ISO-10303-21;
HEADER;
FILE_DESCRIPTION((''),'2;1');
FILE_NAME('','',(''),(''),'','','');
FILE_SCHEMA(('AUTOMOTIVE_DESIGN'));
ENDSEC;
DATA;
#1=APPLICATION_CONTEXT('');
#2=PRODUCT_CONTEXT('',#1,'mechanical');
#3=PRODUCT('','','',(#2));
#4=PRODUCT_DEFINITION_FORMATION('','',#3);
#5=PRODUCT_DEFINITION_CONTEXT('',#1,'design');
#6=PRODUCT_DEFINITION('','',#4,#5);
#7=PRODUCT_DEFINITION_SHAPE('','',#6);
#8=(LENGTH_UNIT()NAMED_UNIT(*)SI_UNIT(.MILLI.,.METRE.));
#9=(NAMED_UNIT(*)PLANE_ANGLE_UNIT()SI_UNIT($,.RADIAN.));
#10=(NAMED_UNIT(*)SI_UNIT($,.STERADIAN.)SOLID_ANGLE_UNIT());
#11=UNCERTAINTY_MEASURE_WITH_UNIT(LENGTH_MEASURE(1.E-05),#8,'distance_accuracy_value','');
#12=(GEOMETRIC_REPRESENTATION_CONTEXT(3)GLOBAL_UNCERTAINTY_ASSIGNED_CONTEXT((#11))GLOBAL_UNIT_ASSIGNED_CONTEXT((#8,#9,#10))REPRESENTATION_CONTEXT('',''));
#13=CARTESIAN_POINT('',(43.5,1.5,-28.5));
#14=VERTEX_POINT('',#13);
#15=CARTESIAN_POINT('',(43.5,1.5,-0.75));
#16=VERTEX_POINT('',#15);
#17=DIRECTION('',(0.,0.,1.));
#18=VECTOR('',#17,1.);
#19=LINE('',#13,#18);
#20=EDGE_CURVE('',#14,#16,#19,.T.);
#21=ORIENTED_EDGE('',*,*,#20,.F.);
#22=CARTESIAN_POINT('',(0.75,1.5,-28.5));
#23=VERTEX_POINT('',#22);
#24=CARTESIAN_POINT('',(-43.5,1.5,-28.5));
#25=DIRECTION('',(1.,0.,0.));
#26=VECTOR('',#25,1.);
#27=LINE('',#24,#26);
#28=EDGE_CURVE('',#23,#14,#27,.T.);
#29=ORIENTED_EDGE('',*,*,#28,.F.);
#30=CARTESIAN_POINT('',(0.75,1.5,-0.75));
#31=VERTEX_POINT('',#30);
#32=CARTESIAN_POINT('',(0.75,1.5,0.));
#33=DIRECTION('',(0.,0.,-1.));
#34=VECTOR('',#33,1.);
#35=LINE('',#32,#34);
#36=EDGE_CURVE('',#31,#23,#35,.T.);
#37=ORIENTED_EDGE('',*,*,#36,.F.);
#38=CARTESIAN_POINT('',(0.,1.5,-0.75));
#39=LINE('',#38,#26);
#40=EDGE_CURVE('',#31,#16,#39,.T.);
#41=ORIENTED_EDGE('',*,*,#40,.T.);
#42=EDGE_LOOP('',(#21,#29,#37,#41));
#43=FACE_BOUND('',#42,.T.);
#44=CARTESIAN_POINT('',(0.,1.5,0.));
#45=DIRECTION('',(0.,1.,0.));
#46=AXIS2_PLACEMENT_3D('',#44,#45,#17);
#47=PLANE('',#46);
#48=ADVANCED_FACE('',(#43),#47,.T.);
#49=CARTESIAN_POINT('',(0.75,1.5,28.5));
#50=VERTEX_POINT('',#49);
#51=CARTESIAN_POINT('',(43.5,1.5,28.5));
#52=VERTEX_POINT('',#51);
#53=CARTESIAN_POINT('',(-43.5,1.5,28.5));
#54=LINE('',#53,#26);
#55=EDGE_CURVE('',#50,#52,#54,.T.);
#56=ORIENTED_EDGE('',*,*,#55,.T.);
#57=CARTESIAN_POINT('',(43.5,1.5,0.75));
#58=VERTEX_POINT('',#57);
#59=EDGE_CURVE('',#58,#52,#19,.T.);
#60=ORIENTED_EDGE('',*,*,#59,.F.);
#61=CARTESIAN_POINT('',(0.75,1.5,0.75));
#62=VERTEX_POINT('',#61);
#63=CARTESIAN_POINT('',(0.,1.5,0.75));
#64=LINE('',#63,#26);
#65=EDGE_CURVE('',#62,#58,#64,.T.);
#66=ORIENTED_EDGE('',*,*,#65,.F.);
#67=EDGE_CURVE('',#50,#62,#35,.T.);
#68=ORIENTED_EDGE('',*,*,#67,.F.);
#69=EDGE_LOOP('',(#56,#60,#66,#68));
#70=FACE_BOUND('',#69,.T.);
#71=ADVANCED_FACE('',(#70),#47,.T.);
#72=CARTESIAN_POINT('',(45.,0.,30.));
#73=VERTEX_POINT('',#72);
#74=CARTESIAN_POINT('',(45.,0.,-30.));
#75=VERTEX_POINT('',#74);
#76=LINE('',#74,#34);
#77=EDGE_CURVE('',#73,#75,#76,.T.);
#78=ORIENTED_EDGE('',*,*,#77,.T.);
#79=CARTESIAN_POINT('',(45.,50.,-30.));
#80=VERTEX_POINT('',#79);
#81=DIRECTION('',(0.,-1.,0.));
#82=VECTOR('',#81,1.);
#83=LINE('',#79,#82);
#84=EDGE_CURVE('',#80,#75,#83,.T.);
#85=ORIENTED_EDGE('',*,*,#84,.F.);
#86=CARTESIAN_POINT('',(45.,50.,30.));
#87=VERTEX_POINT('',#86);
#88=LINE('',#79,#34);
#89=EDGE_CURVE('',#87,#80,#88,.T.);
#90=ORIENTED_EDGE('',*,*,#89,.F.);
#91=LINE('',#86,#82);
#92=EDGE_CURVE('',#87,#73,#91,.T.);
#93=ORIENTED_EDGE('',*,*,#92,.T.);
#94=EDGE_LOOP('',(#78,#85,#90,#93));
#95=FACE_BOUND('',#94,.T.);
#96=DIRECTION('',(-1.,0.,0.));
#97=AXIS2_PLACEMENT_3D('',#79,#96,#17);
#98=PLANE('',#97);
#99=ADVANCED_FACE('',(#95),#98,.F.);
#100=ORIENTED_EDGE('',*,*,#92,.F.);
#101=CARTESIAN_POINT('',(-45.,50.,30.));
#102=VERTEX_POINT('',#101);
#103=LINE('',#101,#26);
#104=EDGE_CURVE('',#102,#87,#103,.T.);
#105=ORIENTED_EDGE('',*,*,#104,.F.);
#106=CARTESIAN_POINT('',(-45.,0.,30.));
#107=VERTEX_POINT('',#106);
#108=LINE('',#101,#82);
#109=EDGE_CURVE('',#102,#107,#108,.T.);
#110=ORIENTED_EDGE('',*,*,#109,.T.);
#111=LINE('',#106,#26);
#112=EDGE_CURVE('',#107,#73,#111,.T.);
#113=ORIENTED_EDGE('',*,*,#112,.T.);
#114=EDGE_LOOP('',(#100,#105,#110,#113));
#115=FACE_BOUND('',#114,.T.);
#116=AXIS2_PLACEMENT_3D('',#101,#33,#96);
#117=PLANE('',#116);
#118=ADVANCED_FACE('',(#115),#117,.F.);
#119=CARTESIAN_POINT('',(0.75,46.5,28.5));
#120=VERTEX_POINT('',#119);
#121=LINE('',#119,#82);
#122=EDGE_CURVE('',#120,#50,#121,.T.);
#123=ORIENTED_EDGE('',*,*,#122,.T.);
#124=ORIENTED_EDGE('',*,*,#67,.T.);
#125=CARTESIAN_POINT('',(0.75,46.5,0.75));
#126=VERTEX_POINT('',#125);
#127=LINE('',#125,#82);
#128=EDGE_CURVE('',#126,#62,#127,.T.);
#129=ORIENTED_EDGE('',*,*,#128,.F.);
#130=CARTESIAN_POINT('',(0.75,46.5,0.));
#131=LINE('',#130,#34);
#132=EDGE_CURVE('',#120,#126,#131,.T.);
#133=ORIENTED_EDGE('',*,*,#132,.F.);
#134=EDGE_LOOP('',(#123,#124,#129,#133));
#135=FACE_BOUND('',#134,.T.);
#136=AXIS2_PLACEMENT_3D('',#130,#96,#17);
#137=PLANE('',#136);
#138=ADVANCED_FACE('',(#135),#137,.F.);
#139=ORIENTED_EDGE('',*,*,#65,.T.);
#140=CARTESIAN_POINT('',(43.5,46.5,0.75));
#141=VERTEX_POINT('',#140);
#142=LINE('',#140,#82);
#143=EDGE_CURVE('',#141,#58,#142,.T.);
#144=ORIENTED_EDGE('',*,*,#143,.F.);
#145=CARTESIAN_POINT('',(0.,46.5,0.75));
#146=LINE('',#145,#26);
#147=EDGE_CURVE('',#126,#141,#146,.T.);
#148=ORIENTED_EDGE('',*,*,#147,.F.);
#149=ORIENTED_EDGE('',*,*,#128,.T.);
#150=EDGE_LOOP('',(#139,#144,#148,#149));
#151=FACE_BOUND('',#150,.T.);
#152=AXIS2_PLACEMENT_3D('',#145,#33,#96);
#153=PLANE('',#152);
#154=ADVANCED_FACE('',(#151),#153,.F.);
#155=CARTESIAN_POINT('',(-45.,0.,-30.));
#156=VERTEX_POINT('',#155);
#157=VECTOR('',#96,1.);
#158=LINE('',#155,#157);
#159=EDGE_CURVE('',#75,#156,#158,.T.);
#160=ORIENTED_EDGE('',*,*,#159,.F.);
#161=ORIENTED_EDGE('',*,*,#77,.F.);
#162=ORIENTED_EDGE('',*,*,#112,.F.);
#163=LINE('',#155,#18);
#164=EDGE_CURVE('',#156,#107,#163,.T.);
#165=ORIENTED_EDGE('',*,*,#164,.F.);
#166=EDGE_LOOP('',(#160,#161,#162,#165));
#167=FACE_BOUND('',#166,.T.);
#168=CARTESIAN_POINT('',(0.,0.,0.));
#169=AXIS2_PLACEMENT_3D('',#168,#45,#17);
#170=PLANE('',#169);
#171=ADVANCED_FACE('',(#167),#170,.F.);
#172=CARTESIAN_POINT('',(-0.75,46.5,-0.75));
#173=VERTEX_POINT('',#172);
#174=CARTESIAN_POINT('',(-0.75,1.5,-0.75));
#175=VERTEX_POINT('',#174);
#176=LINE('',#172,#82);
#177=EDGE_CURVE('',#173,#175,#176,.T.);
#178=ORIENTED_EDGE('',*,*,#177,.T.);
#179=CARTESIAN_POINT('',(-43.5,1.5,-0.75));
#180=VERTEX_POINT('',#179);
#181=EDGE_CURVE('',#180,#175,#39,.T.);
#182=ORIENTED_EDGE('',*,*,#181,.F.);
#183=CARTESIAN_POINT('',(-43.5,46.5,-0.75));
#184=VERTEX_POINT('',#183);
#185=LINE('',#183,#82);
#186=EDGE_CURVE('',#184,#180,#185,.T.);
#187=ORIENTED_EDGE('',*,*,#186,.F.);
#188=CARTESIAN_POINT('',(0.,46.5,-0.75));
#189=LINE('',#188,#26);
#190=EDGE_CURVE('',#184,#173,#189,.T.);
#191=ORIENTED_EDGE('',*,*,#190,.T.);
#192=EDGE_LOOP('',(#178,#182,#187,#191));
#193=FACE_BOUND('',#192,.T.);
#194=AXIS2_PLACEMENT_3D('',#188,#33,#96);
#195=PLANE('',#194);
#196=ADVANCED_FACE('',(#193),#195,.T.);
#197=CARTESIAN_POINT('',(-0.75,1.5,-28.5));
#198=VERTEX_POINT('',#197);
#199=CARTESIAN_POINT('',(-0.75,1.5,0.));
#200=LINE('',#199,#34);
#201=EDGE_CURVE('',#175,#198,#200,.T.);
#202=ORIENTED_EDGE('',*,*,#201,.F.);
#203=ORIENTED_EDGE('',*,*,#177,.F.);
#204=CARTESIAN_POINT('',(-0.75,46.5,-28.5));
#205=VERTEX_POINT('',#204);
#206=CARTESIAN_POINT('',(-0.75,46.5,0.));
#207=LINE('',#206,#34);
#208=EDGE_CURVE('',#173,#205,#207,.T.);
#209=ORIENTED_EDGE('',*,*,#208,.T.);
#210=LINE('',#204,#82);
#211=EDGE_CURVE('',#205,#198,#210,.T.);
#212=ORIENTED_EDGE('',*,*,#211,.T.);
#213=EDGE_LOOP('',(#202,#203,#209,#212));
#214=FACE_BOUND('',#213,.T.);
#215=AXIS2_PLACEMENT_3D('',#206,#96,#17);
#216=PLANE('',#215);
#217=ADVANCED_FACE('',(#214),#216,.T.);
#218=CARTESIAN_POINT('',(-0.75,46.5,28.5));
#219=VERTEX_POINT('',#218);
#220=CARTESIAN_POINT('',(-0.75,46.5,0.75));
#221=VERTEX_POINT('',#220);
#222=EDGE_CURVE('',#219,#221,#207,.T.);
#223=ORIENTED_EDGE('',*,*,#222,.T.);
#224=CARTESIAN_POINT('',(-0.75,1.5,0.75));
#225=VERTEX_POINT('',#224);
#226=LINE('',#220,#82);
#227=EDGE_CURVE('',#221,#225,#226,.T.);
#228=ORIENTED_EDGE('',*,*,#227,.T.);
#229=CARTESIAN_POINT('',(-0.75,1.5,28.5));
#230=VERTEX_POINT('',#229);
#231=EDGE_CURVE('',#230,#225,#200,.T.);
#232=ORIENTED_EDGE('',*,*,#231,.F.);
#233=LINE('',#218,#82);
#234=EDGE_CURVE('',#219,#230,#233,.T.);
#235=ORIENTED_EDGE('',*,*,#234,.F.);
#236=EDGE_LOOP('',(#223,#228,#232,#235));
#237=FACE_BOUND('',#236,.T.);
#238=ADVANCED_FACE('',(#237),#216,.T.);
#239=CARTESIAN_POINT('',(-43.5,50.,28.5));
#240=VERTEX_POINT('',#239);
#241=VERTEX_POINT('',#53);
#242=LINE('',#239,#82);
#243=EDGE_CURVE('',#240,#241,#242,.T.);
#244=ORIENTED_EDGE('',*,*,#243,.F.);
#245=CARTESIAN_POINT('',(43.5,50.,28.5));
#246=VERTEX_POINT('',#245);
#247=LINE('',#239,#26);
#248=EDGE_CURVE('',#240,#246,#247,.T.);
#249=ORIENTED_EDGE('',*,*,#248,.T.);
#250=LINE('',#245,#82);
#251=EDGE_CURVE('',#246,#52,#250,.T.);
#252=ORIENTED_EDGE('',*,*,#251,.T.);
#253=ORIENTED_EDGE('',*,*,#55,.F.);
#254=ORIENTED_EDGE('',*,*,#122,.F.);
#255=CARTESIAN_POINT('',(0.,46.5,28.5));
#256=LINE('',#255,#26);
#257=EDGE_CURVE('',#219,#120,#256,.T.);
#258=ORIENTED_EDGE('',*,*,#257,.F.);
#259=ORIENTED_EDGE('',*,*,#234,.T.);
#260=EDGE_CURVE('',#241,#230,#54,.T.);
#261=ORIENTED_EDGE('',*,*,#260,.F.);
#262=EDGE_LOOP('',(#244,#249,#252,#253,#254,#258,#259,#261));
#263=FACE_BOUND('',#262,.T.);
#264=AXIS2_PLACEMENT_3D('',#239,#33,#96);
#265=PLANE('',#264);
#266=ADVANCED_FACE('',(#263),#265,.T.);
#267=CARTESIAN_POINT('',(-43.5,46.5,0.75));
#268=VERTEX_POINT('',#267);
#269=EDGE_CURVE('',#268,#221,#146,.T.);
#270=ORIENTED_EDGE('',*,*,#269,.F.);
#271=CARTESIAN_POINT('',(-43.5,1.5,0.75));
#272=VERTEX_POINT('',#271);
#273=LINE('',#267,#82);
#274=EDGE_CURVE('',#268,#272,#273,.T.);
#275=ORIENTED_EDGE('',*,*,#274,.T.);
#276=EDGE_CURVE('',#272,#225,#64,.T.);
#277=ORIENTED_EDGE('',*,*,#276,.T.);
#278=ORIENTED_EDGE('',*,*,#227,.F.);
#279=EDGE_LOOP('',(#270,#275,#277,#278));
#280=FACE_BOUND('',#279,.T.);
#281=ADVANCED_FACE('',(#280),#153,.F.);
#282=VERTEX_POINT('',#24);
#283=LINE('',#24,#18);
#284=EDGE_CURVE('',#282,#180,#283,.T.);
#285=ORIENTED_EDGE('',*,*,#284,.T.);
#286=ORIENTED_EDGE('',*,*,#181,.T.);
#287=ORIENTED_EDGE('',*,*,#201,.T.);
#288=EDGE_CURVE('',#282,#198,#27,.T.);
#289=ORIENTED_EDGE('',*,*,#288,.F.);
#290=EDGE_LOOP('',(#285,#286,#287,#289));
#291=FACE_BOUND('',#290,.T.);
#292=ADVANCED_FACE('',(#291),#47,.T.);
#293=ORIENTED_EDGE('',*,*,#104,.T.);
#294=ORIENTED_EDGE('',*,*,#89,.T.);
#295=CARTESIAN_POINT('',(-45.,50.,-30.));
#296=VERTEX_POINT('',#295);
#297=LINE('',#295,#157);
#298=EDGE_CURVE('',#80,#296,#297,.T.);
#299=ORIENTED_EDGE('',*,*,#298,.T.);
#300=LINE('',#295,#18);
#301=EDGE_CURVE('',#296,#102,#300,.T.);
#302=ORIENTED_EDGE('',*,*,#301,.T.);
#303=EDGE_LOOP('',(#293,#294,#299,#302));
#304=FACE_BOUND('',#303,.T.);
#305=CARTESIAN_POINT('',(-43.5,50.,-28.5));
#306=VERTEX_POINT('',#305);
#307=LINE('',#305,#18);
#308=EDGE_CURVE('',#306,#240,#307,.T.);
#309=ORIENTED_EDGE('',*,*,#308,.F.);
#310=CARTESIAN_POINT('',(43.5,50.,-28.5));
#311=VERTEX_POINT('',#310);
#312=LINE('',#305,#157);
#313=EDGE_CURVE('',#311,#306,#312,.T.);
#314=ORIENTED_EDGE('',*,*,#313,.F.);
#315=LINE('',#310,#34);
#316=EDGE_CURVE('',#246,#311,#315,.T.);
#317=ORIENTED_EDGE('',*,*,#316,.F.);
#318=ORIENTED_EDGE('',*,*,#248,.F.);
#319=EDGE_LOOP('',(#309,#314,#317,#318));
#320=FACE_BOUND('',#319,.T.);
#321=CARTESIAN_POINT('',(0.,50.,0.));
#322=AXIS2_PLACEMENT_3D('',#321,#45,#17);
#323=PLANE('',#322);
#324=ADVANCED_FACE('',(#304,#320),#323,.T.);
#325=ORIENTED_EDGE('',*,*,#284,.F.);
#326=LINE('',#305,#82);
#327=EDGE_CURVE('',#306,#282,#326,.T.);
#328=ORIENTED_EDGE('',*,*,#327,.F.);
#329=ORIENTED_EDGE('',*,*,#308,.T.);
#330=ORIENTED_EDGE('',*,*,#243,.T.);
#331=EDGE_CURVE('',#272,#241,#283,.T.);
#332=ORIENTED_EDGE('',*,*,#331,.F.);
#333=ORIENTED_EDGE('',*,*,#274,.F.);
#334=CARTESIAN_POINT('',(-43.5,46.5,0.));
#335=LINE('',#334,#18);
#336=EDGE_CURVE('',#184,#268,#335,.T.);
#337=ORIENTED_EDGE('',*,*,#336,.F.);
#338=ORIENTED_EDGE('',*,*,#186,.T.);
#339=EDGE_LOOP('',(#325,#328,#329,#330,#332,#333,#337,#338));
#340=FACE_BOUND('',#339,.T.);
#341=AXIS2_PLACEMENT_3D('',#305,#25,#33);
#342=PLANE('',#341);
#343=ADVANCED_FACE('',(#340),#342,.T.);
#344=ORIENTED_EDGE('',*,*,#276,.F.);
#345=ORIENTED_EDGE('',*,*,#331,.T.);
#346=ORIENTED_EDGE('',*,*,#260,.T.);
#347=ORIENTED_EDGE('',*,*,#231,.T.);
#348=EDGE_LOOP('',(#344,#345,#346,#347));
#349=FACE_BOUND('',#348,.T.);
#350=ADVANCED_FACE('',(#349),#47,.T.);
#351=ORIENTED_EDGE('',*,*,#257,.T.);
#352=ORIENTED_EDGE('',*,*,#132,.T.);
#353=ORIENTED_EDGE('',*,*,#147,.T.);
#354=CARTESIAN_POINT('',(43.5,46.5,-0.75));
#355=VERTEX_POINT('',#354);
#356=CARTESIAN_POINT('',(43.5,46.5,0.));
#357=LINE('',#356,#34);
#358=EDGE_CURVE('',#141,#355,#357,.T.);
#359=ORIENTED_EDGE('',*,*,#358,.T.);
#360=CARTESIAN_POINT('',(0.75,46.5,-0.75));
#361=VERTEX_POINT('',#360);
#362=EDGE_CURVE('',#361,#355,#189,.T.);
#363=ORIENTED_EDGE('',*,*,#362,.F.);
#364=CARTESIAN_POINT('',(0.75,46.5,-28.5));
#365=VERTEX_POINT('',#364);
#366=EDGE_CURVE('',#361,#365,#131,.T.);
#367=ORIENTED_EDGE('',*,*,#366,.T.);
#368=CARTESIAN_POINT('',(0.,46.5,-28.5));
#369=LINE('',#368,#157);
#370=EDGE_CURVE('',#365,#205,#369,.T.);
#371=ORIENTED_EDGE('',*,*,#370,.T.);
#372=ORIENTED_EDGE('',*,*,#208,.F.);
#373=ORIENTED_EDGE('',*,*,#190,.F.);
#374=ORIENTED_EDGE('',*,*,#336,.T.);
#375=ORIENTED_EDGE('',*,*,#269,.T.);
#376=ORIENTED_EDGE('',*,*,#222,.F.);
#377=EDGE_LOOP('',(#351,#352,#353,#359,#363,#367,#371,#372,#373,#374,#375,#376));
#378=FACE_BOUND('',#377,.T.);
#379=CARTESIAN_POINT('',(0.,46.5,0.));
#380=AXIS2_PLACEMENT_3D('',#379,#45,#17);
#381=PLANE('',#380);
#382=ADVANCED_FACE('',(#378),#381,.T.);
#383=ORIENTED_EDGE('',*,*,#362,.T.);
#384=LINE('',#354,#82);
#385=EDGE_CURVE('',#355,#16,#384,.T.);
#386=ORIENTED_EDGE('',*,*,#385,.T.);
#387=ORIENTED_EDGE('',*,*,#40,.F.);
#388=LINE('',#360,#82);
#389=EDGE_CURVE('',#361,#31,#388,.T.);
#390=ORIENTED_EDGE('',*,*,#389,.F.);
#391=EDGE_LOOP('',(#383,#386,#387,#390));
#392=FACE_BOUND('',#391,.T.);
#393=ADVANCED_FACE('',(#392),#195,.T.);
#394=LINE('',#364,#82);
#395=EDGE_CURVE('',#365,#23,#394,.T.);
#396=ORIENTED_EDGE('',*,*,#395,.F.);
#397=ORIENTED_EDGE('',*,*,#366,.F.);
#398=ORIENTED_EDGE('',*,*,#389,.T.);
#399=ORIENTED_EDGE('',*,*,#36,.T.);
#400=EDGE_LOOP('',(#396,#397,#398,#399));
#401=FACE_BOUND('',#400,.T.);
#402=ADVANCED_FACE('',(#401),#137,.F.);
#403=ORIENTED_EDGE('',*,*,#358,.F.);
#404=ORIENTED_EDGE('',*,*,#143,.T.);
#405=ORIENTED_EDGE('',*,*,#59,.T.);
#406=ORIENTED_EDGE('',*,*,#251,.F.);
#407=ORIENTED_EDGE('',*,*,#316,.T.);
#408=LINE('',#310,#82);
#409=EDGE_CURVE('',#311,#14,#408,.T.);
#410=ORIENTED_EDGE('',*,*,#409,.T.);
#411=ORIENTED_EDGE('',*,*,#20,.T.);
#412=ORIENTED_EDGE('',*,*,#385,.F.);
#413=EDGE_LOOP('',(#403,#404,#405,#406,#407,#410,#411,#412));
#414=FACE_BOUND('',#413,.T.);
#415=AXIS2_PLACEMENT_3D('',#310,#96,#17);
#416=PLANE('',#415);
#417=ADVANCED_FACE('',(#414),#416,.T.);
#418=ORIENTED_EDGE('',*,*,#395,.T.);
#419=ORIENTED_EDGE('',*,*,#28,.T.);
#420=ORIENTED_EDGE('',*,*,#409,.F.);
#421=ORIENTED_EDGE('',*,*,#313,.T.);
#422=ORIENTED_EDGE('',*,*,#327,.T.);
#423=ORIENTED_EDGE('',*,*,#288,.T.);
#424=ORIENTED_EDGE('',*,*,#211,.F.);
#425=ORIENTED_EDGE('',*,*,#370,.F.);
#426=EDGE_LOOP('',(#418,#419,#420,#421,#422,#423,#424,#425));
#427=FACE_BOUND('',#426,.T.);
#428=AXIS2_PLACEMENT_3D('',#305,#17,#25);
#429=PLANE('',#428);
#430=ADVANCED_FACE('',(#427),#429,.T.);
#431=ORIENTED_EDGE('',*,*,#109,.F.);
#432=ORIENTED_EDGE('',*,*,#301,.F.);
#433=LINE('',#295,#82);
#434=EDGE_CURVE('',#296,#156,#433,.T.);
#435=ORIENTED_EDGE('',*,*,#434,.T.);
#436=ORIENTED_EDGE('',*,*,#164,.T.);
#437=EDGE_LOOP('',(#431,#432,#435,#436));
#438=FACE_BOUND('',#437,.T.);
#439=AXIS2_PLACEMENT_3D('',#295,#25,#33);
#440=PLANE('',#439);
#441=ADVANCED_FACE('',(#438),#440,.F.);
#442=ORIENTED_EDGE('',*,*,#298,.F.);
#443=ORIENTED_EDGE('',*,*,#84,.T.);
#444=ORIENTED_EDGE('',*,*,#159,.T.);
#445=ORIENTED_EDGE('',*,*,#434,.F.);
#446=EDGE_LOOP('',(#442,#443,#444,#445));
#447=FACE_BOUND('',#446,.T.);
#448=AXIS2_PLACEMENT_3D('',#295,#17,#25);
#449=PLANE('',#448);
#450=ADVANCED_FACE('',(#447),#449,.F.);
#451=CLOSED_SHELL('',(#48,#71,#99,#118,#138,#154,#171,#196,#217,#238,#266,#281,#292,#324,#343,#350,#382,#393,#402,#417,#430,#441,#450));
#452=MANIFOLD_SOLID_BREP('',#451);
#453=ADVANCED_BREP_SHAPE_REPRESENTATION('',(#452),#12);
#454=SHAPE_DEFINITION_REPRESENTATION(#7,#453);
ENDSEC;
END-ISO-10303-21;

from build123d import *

# Parameters (mm, degrees)
SKETCH_1_W      = 87
SKETCH_1_H      = 57
EXTRUDE_1_DEPTH = 1.5
SKETCH_1_3_W    = 90
SKETCH_1_3_H    = 60
SKETCH_1_3_W_2  = 87
SKETCH_1_3_H_2  = 57
EXTRUDE_2_DEPTH = 50
EXTRUDE_3_DEPTH = 45


with BuildPart() as part:
    # 草图1 → 凸台-拉伸1 (new body)
    with BuildSketch(Plane(origin=(0, 0, 0), x_dir=(1, 0, 0), z_dir=(0, 1, 0))):
        Rectangle(SKETCH_1_W, SKETCH_1_H)
    extrude(amount=EXTRUDE_1_DEPTH)

    # 草图1<3> → 凸台-拉伸2 (add)
    with BuildSketch(Plane(origin=(0, 0, 0), x_dir=(1, 0, 0), z_dir=(0, 1, 0))):
        Rectangle(SKETCH_1_3_W, SKETCH_1_3_H)
        Rectangle(SKETCH_1_3_W_2, SKETCH_1_3_H_2, mode=Mode.SUBTRACT)
    extrude(amount=EXTRUDE_2_DEPTH)

    # 草图2 → 凸台-拉伸3 (add)
    with BuildSketch(Plane(origin=(0, 1.5, 0), x_dir=(1, 0, 0), z_dir=(0, 1, 0))):
        Polygon((0.75, -0.75), (43.5, -0.75), (43.5, 0.75), (0.75, 0.75), (0.75, 28.5), (-0.75, 28.5), (-0.75, 0.75), (-43.5, 0.75), (-43.5, -0.75), (-0.75, -0.75), (-0.75, -28.5), (0.75, -28.5), align=None)
    extrude(amount=EXTRUDE_3_DEPTH)


solid = part.part
